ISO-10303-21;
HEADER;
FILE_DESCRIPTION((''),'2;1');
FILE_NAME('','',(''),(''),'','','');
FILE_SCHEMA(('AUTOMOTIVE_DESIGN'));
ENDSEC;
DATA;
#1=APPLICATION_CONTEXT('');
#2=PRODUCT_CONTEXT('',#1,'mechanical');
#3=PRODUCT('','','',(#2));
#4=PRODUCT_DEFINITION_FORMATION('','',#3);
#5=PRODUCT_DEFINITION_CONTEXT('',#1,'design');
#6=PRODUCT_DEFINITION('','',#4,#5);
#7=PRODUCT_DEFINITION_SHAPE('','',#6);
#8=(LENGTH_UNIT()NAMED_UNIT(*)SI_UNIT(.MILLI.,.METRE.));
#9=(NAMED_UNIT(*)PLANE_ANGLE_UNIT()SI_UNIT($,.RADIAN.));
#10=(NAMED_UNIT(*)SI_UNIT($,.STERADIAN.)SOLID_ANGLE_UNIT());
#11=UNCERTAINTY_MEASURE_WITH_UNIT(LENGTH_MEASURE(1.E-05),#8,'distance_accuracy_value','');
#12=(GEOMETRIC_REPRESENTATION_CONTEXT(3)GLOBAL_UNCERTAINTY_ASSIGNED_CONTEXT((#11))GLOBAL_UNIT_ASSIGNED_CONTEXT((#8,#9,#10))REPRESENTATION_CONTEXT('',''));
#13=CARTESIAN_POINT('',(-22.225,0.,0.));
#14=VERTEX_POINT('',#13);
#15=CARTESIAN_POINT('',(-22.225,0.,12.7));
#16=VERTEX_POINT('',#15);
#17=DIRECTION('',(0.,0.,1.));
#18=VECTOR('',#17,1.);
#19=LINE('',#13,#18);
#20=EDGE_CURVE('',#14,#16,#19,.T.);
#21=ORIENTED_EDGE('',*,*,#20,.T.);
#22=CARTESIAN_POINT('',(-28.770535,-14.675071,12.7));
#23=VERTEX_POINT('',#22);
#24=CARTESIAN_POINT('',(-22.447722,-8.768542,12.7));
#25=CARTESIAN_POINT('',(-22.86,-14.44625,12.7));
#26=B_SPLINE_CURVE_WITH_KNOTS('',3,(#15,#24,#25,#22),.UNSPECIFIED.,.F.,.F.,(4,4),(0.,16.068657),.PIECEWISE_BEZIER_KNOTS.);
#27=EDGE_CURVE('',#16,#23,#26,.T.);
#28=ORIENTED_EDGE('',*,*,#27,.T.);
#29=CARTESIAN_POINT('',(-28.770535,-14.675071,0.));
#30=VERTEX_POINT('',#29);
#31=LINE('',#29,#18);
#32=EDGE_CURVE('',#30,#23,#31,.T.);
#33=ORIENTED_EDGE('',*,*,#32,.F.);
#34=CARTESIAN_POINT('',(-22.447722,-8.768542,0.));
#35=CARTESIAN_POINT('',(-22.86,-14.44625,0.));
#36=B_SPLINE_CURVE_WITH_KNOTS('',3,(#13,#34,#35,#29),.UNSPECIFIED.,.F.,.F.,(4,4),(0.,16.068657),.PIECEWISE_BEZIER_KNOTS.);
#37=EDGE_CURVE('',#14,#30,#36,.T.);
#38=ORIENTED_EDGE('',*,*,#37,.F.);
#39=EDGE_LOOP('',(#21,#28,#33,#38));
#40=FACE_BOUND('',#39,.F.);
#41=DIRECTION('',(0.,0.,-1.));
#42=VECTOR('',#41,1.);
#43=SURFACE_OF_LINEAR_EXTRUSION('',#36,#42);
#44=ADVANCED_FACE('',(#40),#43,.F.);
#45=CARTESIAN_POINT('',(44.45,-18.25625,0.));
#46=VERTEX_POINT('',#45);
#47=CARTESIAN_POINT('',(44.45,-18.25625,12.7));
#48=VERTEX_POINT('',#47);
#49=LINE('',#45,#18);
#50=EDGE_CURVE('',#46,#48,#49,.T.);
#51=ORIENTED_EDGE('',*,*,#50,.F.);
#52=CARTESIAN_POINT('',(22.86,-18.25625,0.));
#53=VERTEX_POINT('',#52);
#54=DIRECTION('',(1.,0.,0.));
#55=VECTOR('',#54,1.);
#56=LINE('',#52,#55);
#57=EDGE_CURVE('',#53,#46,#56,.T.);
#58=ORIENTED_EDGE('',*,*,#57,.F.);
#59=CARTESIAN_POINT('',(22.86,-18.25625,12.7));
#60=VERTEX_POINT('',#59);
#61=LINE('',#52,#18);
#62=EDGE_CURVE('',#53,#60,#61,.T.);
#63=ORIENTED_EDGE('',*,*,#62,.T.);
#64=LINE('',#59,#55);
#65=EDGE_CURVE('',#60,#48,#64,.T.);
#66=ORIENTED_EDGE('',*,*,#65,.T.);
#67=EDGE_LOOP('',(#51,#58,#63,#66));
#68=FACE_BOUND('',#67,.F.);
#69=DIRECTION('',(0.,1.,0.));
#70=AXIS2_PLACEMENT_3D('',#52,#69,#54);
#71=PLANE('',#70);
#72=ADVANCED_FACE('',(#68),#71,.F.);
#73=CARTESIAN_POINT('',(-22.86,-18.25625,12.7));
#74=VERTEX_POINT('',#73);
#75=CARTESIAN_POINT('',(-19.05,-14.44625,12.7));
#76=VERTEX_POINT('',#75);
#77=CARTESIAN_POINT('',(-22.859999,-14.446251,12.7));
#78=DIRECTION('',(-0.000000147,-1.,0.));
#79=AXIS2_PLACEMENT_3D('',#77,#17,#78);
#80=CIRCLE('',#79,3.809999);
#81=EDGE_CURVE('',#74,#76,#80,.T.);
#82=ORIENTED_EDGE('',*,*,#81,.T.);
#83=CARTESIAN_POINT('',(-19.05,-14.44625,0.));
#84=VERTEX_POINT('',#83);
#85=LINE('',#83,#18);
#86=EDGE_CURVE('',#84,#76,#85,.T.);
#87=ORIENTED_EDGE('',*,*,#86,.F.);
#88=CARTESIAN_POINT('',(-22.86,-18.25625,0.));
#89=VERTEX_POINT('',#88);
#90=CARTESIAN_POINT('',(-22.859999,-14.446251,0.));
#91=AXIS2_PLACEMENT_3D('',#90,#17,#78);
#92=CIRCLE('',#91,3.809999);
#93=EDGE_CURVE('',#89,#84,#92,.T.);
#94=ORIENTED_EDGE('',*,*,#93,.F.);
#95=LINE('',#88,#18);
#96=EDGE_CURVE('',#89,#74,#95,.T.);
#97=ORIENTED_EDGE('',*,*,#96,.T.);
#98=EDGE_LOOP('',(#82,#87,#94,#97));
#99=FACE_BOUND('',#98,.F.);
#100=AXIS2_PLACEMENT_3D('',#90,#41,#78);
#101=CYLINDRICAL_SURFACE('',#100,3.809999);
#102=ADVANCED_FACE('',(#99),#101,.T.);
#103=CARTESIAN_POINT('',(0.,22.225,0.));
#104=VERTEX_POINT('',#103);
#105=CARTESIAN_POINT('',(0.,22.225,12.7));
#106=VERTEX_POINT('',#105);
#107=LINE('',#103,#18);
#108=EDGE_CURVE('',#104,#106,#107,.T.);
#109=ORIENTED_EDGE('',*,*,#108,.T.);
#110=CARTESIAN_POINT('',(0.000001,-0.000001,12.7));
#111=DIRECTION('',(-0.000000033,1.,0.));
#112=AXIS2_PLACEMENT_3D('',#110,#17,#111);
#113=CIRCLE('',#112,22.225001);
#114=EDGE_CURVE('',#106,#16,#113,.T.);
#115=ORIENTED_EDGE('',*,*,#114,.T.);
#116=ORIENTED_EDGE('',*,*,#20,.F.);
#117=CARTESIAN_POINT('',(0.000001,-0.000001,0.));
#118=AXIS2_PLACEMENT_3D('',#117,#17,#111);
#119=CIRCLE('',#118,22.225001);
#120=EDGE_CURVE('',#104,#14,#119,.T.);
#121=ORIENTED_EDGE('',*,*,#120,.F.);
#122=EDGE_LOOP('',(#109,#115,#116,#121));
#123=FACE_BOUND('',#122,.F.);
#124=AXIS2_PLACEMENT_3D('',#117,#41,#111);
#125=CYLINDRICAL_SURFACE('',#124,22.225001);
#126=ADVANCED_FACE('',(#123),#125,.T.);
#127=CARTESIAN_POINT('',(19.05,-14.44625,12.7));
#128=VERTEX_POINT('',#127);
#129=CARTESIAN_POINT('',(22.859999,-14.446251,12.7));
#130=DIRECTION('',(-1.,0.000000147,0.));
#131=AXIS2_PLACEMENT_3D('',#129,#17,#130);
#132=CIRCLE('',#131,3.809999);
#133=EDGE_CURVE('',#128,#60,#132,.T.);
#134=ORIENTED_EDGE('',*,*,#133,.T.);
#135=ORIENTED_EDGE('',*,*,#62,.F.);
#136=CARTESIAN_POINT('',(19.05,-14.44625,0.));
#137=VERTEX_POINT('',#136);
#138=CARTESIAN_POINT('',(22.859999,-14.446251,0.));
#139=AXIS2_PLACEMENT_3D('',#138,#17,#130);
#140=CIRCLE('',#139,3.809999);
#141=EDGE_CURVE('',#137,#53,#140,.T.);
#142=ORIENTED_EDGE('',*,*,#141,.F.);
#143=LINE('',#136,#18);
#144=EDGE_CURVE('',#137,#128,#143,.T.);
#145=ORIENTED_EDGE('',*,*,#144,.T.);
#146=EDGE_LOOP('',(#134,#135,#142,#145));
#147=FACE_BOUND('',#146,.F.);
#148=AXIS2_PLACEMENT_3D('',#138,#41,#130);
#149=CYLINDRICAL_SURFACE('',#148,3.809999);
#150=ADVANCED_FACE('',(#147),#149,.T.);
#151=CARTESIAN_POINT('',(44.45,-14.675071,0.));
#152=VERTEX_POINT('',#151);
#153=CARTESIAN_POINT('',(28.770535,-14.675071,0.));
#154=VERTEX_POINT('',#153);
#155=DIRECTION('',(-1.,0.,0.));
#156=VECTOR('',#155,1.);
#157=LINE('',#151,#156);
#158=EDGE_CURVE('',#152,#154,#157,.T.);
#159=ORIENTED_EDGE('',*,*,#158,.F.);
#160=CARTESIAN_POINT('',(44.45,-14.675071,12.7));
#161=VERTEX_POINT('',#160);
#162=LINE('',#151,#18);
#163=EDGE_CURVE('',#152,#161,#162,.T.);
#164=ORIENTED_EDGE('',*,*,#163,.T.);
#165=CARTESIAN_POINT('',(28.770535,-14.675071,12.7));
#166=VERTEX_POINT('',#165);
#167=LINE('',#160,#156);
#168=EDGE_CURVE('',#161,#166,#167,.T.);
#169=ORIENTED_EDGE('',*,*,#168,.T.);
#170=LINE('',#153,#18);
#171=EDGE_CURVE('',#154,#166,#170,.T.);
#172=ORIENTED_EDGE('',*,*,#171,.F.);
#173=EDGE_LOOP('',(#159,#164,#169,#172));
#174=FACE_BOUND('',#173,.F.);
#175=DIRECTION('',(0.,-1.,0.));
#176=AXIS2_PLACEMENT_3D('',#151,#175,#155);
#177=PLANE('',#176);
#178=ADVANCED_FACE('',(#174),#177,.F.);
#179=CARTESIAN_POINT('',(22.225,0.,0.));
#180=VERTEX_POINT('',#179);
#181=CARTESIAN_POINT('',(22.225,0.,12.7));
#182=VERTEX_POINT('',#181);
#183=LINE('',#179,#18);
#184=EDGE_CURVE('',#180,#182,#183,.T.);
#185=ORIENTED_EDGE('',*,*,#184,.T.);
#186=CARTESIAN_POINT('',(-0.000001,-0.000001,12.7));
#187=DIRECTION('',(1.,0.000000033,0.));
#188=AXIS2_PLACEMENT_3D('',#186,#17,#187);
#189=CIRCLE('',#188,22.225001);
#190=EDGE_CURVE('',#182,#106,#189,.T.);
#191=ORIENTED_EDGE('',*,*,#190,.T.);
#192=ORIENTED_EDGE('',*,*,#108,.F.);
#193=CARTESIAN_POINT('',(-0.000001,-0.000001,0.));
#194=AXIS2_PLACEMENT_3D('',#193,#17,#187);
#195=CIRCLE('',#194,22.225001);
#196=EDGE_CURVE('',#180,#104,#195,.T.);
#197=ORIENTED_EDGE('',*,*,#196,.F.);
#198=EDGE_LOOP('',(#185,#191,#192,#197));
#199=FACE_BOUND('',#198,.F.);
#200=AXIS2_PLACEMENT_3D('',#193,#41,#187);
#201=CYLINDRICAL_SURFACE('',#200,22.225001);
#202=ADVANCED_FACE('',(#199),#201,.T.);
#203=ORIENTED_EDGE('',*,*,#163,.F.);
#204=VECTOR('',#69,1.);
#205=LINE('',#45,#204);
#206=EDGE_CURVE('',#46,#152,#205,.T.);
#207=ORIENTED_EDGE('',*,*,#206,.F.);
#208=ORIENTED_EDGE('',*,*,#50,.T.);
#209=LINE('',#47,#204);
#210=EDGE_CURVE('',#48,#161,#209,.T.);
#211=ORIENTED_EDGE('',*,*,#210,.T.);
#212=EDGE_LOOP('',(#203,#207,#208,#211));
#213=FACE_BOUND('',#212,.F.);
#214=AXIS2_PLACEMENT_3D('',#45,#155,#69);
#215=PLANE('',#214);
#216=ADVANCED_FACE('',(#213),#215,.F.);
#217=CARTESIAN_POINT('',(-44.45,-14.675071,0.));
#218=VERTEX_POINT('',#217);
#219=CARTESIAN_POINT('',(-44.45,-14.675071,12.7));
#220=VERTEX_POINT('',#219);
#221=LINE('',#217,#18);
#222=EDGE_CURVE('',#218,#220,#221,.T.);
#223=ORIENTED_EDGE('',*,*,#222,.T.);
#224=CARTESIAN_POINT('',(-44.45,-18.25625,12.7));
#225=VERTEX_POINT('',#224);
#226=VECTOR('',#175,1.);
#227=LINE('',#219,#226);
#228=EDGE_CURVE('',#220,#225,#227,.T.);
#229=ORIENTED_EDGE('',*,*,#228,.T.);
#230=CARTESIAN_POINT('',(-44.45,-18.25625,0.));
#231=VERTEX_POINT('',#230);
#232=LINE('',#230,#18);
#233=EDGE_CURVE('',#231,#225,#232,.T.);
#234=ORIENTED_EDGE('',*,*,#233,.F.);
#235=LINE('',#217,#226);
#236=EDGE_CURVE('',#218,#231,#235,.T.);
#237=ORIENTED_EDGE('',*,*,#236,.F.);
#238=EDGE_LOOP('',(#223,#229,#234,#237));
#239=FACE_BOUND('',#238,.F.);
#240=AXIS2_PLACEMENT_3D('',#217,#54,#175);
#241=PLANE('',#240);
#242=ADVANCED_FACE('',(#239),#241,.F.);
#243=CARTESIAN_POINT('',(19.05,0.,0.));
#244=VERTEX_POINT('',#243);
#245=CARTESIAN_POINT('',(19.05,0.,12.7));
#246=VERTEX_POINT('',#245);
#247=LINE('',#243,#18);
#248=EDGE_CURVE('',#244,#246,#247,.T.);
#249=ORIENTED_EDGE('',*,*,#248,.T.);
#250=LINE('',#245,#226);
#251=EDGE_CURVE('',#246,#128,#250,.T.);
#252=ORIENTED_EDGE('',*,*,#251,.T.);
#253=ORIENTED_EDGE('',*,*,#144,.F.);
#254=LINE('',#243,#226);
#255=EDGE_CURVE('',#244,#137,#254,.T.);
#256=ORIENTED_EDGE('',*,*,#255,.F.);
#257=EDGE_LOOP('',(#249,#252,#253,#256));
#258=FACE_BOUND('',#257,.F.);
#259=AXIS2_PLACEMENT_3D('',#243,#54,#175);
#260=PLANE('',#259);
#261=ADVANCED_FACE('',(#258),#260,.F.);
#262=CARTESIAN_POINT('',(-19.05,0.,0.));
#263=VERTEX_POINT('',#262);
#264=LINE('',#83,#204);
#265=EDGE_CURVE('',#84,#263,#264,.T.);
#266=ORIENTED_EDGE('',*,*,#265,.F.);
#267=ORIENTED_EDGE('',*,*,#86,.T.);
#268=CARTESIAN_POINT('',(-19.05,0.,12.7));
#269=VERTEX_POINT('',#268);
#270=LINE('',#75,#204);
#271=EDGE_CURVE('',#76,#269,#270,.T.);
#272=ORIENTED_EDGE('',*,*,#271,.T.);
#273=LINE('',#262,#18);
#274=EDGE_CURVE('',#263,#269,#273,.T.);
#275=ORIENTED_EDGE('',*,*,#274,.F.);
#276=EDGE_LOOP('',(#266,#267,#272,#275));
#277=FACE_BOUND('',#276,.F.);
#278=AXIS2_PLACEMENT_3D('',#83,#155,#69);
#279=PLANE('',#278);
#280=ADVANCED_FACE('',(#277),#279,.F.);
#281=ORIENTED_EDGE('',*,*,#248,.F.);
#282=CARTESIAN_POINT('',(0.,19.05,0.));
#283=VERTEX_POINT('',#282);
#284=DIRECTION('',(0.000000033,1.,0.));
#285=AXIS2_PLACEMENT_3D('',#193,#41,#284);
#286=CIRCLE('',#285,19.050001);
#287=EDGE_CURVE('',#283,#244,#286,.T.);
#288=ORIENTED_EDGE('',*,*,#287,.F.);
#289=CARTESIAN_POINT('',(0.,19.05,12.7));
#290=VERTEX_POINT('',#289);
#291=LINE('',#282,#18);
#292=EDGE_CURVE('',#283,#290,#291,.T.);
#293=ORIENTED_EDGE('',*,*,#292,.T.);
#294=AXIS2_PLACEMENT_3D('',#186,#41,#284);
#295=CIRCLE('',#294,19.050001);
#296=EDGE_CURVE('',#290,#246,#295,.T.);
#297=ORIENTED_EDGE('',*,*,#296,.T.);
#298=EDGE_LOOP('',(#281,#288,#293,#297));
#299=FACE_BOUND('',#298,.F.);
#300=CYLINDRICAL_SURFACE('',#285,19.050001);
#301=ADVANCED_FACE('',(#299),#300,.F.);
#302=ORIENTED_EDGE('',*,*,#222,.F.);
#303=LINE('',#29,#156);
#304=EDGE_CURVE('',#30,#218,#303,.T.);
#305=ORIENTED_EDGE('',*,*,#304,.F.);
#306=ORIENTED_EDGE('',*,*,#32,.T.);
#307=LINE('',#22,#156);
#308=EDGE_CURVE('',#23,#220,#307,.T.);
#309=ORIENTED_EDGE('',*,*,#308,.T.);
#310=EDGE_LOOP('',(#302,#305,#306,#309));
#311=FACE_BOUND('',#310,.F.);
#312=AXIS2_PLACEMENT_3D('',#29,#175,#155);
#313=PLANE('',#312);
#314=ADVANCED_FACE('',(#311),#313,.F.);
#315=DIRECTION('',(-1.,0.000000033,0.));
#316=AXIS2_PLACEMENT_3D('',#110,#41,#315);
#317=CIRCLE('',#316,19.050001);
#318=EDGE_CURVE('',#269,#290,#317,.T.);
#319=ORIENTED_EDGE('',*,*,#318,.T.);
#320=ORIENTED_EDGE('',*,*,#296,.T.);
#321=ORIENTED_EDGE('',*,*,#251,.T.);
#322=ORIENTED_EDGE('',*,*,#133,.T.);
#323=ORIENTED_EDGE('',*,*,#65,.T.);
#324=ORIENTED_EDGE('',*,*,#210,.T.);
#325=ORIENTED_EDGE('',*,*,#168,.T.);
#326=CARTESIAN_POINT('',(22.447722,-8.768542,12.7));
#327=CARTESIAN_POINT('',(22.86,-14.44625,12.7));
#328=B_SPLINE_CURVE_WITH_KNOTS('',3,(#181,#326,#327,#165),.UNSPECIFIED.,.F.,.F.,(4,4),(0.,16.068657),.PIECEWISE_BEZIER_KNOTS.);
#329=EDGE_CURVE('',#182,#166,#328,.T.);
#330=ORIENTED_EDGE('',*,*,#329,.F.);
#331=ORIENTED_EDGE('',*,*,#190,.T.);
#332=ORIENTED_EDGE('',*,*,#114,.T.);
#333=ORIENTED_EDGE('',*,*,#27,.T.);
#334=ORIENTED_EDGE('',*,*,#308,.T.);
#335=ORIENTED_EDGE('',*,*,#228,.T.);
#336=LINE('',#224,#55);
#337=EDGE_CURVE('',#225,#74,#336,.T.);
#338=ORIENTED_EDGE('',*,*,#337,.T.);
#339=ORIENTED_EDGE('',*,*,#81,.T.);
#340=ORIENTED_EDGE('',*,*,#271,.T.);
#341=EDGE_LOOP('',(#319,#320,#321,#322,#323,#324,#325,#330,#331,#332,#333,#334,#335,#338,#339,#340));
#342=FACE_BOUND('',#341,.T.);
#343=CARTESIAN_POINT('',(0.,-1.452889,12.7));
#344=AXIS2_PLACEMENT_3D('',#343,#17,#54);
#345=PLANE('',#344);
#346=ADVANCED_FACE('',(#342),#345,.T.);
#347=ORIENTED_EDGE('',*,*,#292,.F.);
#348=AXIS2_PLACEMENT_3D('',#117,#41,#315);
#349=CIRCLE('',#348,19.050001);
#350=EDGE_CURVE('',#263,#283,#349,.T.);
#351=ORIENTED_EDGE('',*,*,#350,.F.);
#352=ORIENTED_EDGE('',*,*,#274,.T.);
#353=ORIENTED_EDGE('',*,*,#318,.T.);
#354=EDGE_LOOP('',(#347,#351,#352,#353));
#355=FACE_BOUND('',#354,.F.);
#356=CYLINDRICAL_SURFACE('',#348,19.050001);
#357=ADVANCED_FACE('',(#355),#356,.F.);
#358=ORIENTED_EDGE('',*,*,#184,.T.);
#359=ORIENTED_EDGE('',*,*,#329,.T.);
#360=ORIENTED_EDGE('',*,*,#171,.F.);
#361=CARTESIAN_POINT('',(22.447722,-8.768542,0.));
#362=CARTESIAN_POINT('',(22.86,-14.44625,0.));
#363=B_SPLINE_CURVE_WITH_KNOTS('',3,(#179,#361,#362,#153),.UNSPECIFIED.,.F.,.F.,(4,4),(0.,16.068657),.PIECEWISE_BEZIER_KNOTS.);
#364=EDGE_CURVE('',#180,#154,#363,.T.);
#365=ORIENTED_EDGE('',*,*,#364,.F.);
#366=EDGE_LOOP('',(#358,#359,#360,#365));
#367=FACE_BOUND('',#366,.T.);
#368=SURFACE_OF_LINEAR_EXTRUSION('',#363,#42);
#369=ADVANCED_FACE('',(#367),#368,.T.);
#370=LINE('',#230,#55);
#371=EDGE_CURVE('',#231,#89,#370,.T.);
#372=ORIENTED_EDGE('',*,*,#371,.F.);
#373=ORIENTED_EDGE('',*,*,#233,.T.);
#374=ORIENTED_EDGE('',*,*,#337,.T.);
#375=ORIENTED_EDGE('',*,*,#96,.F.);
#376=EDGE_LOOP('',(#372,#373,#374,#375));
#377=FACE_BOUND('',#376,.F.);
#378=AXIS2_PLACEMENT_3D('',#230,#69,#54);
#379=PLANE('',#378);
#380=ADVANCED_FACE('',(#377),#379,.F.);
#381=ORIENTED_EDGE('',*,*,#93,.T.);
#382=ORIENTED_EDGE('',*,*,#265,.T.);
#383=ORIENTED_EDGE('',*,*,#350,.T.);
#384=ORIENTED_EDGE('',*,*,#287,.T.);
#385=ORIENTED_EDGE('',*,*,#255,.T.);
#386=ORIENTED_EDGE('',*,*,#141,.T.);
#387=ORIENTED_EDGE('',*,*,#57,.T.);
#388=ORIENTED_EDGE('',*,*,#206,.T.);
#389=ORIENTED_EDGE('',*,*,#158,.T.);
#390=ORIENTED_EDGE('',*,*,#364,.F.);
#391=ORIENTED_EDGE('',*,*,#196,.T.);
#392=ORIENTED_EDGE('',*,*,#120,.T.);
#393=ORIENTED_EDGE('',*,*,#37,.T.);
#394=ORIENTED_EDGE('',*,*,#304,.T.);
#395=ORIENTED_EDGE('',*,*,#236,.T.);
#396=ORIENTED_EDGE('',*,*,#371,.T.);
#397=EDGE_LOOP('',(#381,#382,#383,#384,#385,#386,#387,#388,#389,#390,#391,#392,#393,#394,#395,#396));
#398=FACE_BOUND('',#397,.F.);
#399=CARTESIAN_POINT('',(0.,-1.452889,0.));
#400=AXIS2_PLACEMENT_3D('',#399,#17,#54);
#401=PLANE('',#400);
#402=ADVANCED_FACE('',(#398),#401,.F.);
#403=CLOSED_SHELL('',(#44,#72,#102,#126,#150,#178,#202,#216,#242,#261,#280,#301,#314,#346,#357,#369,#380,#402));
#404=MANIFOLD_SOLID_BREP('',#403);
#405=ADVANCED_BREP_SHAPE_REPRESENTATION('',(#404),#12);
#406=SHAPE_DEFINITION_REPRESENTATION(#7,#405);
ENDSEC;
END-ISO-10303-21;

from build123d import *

# Parameters (mm, degrees)
F1_DEPTH = 12.7


with BuildPart() as f1:
    # F0 (on Top) → F1 (new body)
    with BuildSketch(Plane.XY):
        with BuildLine():
            ThreePointArc((0, 19.05), (13.470384, 13.470384), (19.05, 0))
            Line((19.05, 0), (19.05, -14.44625))
            ThreePointArc((19.05, -14.44625), (20.165923, -17.140327), (22.86, -18.25625))
            Line((22.86, -18.25625), (44.45, -18.25625))
            Line((44.45, -18.25625), (44.45, -14.675071))
            Line((44.45, -14.675071), (28.770535, -14.675071))
            add(Edge.make_bspline(
                [(22.225, 0), (22.447722, -8.768542), (22.86, -14.44625), (28.770535, -14.675071)],
                knots=[0, 0, 0, 0, 16.068657, 16.068657, 16.068657, 16.068657], degree=3))
            ThreePointArc((22.225, 0), (15.715448, 15.715448), (0, 22.225))
            ThreePointArc((0, 22.225), (-15.715448, 15.715448), (-22.225, 0))
            add(Edge.make_bspline(
                [(-22.225, 0), (-22.447722, -8.768542), (-22.86, -14.44625), (-28.770535, -14.675071)],
                knots=[0, 0, 0, 0, 16.068657, 16.068657, 16.068657, 16.068657], degree=3))
            Line((-28.770535, -14.675071), (-44.45, -14.675071))
            Line((-44.45, -14.675071), (-44.45, -18.25625))
            Line((-44.45, -18.25625), (-22.86, -18.25625))
            ThreePointArc((-22.86, -18.25625), (-20.165923, -17.140327), (-19.05, -14.44625))
            Line((-19.05, -14.44625), (-19.05, 0))
            ThreePointArc((-19.05, 0), (-13.470384, 13.470384), (0, 19.05))
        make_face()
    extrude(amount=F1_DEPTH)


solid = f1.part
